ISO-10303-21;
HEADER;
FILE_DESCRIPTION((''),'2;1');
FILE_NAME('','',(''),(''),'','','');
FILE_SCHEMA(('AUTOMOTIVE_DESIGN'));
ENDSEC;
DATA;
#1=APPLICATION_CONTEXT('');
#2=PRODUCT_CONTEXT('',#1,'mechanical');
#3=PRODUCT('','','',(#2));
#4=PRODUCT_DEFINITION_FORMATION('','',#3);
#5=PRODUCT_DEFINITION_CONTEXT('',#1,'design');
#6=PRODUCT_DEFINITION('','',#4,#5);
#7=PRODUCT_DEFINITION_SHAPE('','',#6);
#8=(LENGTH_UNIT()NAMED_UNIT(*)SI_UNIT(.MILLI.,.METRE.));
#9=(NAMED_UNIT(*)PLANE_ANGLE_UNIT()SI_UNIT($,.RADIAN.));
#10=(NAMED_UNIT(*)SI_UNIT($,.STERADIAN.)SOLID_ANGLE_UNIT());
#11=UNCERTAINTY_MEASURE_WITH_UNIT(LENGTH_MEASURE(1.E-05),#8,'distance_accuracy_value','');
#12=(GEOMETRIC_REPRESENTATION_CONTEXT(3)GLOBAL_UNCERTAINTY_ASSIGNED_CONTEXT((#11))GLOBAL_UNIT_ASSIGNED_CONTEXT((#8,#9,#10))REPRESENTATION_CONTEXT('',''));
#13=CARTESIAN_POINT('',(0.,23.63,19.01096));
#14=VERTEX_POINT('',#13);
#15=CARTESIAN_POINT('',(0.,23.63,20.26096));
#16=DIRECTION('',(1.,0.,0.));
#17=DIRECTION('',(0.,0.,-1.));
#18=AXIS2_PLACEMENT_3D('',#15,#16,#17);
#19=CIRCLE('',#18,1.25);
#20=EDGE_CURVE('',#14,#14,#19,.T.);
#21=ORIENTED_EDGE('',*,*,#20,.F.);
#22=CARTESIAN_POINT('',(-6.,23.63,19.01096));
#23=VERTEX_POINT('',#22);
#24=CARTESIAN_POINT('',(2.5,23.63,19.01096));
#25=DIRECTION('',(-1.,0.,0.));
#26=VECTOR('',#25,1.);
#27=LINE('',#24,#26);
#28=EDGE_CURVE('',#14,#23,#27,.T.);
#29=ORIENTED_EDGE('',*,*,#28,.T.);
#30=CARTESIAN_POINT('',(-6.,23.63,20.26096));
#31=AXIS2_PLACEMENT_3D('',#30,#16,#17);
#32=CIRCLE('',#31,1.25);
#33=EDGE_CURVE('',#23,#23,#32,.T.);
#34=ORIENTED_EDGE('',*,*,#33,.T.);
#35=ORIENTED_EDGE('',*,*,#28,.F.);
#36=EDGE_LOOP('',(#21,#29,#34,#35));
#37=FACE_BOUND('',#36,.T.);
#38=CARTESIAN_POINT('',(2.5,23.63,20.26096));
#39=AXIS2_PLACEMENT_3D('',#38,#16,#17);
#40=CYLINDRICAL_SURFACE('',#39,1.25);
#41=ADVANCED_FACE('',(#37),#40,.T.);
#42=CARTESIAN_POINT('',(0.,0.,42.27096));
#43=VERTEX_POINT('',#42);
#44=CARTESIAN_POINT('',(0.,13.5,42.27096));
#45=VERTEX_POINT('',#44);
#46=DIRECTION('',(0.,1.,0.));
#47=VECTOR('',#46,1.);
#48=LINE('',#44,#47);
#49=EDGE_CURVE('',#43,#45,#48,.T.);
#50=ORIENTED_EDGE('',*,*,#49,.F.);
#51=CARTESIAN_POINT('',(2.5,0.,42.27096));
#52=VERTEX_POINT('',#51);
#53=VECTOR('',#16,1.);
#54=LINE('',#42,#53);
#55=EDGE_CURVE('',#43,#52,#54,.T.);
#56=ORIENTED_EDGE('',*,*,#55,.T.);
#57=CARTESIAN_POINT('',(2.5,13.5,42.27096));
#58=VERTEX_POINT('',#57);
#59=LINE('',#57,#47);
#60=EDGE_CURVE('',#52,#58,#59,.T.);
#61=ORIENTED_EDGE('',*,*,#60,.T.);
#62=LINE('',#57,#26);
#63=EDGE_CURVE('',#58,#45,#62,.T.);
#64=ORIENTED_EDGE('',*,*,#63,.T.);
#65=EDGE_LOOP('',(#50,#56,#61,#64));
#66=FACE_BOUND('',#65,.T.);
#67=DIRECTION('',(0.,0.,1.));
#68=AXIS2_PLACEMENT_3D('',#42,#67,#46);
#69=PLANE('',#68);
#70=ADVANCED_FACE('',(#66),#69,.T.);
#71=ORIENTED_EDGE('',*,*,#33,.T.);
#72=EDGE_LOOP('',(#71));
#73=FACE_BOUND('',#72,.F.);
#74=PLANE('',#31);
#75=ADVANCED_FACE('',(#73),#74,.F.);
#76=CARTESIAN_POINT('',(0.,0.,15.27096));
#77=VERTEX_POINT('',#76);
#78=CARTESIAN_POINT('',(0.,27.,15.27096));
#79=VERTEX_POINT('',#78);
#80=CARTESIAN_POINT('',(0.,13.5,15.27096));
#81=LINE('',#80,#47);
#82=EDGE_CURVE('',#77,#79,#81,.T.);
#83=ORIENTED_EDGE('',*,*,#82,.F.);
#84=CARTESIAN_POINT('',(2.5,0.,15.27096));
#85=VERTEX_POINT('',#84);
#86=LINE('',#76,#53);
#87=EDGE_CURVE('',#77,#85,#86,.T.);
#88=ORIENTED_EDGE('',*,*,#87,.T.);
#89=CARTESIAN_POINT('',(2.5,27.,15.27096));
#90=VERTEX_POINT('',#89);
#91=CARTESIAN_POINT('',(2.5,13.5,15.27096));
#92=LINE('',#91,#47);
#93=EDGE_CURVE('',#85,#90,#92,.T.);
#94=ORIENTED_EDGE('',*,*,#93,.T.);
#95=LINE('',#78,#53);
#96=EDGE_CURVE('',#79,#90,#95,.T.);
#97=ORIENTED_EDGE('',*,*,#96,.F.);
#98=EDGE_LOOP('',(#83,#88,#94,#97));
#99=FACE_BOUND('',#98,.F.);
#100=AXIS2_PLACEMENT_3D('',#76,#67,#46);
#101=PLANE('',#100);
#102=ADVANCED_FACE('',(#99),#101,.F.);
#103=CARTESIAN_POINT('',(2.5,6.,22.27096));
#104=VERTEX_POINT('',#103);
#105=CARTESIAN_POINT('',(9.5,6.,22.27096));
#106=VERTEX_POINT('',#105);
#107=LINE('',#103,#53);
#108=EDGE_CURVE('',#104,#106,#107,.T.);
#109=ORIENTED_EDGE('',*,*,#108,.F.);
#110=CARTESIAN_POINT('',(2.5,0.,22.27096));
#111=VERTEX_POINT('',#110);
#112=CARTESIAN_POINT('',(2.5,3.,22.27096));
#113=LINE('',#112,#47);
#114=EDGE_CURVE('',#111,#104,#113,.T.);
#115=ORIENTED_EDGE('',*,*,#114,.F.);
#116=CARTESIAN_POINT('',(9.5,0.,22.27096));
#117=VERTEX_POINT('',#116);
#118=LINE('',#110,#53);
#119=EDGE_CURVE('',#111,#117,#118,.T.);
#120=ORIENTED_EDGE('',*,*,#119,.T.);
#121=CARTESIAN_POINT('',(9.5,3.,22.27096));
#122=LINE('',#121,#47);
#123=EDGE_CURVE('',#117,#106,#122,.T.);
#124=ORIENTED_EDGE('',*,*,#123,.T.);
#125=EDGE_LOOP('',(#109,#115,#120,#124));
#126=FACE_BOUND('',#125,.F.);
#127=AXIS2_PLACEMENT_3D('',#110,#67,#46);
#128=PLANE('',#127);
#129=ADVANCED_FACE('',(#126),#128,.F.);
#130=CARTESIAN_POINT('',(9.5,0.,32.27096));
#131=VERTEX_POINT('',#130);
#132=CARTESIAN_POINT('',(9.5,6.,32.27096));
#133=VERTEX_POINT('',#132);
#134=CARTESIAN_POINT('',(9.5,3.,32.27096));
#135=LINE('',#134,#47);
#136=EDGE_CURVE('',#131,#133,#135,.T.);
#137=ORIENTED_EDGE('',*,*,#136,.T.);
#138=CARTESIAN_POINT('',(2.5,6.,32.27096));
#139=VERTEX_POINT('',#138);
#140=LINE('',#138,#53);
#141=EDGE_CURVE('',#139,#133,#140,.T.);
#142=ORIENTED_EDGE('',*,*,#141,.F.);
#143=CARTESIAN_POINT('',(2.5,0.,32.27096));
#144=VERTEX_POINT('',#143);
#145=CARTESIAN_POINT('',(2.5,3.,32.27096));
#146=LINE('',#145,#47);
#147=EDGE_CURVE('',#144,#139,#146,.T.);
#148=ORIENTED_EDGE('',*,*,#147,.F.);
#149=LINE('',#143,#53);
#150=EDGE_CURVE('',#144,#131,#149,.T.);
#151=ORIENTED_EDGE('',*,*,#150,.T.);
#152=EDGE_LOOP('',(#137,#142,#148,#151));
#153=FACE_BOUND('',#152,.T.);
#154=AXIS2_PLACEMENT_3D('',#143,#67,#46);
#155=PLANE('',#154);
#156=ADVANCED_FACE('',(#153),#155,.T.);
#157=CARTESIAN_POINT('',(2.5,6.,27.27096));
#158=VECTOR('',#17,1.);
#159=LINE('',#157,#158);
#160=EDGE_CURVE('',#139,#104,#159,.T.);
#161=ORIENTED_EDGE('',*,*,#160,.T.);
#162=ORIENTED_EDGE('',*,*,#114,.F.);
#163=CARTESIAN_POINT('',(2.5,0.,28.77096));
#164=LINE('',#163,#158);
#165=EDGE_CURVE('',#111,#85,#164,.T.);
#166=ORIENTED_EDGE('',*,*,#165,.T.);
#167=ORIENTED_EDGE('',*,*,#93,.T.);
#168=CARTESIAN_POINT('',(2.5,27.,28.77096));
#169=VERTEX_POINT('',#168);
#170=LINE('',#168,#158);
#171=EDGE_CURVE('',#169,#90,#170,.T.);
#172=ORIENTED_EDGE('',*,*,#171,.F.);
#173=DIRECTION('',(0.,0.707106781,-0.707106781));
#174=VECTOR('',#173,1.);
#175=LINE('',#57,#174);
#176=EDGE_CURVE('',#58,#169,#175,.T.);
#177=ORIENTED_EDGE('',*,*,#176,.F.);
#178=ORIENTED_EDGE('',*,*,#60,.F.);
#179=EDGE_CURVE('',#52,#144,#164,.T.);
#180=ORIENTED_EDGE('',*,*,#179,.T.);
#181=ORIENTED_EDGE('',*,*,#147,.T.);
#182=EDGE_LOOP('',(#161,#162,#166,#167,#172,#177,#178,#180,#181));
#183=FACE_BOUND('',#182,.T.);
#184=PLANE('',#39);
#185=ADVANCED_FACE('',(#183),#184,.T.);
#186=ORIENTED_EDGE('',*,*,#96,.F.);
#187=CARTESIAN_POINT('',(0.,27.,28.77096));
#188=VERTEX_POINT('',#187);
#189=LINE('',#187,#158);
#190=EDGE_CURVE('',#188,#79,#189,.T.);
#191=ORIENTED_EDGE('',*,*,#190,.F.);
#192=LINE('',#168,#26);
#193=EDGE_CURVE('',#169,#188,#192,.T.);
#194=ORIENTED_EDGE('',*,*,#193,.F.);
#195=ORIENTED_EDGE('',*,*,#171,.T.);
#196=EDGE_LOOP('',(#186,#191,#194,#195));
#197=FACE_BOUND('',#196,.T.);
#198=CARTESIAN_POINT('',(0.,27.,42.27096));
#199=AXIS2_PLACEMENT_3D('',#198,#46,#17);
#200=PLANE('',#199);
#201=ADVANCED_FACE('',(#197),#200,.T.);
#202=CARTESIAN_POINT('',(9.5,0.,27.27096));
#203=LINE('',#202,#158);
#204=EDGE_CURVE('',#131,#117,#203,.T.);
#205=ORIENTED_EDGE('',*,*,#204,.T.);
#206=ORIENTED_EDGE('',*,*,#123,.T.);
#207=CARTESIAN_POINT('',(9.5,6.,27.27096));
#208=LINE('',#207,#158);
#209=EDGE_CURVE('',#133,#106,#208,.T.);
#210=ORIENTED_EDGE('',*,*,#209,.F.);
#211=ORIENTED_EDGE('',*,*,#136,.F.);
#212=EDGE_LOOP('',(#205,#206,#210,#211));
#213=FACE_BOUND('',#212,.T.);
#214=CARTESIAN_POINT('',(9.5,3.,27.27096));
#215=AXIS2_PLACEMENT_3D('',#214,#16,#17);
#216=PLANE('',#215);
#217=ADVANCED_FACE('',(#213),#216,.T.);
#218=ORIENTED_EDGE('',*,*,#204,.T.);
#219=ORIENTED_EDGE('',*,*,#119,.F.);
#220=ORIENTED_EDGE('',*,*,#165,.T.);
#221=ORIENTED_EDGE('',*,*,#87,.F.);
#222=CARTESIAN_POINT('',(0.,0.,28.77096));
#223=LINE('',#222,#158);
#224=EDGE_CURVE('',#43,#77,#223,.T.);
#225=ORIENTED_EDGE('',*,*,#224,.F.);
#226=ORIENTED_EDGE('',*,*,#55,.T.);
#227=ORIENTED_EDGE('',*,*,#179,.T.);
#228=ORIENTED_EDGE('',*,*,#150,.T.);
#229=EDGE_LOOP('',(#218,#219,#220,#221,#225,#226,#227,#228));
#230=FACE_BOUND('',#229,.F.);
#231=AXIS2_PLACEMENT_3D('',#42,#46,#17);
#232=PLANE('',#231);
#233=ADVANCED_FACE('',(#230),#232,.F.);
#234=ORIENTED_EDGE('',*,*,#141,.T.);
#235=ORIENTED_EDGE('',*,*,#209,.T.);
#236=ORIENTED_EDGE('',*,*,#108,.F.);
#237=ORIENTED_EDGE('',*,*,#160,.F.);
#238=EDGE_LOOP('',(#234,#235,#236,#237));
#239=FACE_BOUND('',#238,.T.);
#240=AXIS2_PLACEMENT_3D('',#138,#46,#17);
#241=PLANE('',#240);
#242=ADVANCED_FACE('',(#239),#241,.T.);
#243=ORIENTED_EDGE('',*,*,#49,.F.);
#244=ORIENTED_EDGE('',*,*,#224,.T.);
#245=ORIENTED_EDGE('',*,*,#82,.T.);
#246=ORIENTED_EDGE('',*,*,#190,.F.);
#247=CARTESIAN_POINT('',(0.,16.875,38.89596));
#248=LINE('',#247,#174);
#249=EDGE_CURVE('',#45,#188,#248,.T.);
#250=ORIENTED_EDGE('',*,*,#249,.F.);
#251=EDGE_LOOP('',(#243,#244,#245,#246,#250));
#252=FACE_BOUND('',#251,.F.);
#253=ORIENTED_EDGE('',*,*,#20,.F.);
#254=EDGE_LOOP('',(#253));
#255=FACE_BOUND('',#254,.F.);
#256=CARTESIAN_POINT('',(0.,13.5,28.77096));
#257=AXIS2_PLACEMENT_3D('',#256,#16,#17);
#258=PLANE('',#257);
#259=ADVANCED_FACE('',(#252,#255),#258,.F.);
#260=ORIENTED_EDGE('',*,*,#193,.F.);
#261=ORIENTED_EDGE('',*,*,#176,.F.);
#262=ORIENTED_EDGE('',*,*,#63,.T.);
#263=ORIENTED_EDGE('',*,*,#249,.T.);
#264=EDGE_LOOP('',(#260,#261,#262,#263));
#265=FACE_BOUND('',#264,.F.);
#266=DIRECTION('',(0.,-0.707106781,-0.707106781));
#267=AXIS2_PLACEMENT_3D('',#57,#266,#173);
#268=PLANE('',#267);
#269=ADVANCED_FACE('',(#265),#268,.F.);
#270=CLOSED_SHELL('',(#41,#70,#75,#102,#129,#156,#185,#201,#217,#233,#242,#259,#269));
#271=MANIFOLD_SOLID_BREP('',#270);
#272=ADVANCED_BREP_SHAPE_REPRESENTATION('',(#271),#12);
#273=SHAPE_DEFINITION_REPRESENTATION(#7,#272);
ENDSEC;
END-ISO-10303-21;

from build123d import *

# Parameters (mm, degrees)
SKETCH1_W           = 27
SKETCH1_H           = 27
BOSS_EXTRUDE1_DEPTH = 2.5
SKETCH2_W           = 10
SKETCH2_H           = 6
BOSS_EXTRUDE2_DEPTH = 7
SKETCH3_R           = 1.25
BOSS_EXTRUDE3_DEPTH = 8.5
CUT_EXTRUDE1_DEPTH  = 9.5


with BuildPart() as part:
    # Sketch1 → Boss-Extrude1 (new body)
    with BuildSketch(Plane(origin=(0, 0, 0), x_dir=(0, 0, -1), z_dir=(1, 0, 0))):
        with Locations((-28.770960436, 13.5)):
            Rectangle(SKETCH1_W, SKETCH1_H)
    extrude(amount=BOSS_EXTRUDE1_DEPTH)

    # Sketch2 → Boss-Extrude2 (add)
    with BuildSketch(Plane(origin=(2.5, 0, 0), x_dir=(0, 0, -1), z_dir=(1, 0, 0))):
        with Locations((-27.270960436, 3)):
            Rectangle(SKETCH2_W, SKETCH2_H)
    extrude(amount=BOSS_EXTRUDE2_DEPTH)

    # Sketch3 → Boss-Extrude3 (add)
    with BuildSketch(Plane(origin=(2.5, 0, 0), x_dir=(0, 0, -1), z_dir=(1, 0, 0))):
        with Locations((-20.260960436, 23.63)):
            Circle(SKETCH3_R)
    extrude(amount=-BOSS_EXTRUDE3_DEPTH)

    # Sketch4 → Cut-Extrude1 (cut, through all)
    with BuildSketch(Plane(origin=(2.5, 0, 0), x_dir=(0, 0, -1), z_dir=(1, 0, 0))):
        Polygon((-42.270960436, 13.5), (-28.770960436, 27), (-42.270960436, 27), align=None)
    extrude(amount=-CUT_EXTRUDE1_DEPTH, mode=Mode.SUBTRACT)


solid = part.part
